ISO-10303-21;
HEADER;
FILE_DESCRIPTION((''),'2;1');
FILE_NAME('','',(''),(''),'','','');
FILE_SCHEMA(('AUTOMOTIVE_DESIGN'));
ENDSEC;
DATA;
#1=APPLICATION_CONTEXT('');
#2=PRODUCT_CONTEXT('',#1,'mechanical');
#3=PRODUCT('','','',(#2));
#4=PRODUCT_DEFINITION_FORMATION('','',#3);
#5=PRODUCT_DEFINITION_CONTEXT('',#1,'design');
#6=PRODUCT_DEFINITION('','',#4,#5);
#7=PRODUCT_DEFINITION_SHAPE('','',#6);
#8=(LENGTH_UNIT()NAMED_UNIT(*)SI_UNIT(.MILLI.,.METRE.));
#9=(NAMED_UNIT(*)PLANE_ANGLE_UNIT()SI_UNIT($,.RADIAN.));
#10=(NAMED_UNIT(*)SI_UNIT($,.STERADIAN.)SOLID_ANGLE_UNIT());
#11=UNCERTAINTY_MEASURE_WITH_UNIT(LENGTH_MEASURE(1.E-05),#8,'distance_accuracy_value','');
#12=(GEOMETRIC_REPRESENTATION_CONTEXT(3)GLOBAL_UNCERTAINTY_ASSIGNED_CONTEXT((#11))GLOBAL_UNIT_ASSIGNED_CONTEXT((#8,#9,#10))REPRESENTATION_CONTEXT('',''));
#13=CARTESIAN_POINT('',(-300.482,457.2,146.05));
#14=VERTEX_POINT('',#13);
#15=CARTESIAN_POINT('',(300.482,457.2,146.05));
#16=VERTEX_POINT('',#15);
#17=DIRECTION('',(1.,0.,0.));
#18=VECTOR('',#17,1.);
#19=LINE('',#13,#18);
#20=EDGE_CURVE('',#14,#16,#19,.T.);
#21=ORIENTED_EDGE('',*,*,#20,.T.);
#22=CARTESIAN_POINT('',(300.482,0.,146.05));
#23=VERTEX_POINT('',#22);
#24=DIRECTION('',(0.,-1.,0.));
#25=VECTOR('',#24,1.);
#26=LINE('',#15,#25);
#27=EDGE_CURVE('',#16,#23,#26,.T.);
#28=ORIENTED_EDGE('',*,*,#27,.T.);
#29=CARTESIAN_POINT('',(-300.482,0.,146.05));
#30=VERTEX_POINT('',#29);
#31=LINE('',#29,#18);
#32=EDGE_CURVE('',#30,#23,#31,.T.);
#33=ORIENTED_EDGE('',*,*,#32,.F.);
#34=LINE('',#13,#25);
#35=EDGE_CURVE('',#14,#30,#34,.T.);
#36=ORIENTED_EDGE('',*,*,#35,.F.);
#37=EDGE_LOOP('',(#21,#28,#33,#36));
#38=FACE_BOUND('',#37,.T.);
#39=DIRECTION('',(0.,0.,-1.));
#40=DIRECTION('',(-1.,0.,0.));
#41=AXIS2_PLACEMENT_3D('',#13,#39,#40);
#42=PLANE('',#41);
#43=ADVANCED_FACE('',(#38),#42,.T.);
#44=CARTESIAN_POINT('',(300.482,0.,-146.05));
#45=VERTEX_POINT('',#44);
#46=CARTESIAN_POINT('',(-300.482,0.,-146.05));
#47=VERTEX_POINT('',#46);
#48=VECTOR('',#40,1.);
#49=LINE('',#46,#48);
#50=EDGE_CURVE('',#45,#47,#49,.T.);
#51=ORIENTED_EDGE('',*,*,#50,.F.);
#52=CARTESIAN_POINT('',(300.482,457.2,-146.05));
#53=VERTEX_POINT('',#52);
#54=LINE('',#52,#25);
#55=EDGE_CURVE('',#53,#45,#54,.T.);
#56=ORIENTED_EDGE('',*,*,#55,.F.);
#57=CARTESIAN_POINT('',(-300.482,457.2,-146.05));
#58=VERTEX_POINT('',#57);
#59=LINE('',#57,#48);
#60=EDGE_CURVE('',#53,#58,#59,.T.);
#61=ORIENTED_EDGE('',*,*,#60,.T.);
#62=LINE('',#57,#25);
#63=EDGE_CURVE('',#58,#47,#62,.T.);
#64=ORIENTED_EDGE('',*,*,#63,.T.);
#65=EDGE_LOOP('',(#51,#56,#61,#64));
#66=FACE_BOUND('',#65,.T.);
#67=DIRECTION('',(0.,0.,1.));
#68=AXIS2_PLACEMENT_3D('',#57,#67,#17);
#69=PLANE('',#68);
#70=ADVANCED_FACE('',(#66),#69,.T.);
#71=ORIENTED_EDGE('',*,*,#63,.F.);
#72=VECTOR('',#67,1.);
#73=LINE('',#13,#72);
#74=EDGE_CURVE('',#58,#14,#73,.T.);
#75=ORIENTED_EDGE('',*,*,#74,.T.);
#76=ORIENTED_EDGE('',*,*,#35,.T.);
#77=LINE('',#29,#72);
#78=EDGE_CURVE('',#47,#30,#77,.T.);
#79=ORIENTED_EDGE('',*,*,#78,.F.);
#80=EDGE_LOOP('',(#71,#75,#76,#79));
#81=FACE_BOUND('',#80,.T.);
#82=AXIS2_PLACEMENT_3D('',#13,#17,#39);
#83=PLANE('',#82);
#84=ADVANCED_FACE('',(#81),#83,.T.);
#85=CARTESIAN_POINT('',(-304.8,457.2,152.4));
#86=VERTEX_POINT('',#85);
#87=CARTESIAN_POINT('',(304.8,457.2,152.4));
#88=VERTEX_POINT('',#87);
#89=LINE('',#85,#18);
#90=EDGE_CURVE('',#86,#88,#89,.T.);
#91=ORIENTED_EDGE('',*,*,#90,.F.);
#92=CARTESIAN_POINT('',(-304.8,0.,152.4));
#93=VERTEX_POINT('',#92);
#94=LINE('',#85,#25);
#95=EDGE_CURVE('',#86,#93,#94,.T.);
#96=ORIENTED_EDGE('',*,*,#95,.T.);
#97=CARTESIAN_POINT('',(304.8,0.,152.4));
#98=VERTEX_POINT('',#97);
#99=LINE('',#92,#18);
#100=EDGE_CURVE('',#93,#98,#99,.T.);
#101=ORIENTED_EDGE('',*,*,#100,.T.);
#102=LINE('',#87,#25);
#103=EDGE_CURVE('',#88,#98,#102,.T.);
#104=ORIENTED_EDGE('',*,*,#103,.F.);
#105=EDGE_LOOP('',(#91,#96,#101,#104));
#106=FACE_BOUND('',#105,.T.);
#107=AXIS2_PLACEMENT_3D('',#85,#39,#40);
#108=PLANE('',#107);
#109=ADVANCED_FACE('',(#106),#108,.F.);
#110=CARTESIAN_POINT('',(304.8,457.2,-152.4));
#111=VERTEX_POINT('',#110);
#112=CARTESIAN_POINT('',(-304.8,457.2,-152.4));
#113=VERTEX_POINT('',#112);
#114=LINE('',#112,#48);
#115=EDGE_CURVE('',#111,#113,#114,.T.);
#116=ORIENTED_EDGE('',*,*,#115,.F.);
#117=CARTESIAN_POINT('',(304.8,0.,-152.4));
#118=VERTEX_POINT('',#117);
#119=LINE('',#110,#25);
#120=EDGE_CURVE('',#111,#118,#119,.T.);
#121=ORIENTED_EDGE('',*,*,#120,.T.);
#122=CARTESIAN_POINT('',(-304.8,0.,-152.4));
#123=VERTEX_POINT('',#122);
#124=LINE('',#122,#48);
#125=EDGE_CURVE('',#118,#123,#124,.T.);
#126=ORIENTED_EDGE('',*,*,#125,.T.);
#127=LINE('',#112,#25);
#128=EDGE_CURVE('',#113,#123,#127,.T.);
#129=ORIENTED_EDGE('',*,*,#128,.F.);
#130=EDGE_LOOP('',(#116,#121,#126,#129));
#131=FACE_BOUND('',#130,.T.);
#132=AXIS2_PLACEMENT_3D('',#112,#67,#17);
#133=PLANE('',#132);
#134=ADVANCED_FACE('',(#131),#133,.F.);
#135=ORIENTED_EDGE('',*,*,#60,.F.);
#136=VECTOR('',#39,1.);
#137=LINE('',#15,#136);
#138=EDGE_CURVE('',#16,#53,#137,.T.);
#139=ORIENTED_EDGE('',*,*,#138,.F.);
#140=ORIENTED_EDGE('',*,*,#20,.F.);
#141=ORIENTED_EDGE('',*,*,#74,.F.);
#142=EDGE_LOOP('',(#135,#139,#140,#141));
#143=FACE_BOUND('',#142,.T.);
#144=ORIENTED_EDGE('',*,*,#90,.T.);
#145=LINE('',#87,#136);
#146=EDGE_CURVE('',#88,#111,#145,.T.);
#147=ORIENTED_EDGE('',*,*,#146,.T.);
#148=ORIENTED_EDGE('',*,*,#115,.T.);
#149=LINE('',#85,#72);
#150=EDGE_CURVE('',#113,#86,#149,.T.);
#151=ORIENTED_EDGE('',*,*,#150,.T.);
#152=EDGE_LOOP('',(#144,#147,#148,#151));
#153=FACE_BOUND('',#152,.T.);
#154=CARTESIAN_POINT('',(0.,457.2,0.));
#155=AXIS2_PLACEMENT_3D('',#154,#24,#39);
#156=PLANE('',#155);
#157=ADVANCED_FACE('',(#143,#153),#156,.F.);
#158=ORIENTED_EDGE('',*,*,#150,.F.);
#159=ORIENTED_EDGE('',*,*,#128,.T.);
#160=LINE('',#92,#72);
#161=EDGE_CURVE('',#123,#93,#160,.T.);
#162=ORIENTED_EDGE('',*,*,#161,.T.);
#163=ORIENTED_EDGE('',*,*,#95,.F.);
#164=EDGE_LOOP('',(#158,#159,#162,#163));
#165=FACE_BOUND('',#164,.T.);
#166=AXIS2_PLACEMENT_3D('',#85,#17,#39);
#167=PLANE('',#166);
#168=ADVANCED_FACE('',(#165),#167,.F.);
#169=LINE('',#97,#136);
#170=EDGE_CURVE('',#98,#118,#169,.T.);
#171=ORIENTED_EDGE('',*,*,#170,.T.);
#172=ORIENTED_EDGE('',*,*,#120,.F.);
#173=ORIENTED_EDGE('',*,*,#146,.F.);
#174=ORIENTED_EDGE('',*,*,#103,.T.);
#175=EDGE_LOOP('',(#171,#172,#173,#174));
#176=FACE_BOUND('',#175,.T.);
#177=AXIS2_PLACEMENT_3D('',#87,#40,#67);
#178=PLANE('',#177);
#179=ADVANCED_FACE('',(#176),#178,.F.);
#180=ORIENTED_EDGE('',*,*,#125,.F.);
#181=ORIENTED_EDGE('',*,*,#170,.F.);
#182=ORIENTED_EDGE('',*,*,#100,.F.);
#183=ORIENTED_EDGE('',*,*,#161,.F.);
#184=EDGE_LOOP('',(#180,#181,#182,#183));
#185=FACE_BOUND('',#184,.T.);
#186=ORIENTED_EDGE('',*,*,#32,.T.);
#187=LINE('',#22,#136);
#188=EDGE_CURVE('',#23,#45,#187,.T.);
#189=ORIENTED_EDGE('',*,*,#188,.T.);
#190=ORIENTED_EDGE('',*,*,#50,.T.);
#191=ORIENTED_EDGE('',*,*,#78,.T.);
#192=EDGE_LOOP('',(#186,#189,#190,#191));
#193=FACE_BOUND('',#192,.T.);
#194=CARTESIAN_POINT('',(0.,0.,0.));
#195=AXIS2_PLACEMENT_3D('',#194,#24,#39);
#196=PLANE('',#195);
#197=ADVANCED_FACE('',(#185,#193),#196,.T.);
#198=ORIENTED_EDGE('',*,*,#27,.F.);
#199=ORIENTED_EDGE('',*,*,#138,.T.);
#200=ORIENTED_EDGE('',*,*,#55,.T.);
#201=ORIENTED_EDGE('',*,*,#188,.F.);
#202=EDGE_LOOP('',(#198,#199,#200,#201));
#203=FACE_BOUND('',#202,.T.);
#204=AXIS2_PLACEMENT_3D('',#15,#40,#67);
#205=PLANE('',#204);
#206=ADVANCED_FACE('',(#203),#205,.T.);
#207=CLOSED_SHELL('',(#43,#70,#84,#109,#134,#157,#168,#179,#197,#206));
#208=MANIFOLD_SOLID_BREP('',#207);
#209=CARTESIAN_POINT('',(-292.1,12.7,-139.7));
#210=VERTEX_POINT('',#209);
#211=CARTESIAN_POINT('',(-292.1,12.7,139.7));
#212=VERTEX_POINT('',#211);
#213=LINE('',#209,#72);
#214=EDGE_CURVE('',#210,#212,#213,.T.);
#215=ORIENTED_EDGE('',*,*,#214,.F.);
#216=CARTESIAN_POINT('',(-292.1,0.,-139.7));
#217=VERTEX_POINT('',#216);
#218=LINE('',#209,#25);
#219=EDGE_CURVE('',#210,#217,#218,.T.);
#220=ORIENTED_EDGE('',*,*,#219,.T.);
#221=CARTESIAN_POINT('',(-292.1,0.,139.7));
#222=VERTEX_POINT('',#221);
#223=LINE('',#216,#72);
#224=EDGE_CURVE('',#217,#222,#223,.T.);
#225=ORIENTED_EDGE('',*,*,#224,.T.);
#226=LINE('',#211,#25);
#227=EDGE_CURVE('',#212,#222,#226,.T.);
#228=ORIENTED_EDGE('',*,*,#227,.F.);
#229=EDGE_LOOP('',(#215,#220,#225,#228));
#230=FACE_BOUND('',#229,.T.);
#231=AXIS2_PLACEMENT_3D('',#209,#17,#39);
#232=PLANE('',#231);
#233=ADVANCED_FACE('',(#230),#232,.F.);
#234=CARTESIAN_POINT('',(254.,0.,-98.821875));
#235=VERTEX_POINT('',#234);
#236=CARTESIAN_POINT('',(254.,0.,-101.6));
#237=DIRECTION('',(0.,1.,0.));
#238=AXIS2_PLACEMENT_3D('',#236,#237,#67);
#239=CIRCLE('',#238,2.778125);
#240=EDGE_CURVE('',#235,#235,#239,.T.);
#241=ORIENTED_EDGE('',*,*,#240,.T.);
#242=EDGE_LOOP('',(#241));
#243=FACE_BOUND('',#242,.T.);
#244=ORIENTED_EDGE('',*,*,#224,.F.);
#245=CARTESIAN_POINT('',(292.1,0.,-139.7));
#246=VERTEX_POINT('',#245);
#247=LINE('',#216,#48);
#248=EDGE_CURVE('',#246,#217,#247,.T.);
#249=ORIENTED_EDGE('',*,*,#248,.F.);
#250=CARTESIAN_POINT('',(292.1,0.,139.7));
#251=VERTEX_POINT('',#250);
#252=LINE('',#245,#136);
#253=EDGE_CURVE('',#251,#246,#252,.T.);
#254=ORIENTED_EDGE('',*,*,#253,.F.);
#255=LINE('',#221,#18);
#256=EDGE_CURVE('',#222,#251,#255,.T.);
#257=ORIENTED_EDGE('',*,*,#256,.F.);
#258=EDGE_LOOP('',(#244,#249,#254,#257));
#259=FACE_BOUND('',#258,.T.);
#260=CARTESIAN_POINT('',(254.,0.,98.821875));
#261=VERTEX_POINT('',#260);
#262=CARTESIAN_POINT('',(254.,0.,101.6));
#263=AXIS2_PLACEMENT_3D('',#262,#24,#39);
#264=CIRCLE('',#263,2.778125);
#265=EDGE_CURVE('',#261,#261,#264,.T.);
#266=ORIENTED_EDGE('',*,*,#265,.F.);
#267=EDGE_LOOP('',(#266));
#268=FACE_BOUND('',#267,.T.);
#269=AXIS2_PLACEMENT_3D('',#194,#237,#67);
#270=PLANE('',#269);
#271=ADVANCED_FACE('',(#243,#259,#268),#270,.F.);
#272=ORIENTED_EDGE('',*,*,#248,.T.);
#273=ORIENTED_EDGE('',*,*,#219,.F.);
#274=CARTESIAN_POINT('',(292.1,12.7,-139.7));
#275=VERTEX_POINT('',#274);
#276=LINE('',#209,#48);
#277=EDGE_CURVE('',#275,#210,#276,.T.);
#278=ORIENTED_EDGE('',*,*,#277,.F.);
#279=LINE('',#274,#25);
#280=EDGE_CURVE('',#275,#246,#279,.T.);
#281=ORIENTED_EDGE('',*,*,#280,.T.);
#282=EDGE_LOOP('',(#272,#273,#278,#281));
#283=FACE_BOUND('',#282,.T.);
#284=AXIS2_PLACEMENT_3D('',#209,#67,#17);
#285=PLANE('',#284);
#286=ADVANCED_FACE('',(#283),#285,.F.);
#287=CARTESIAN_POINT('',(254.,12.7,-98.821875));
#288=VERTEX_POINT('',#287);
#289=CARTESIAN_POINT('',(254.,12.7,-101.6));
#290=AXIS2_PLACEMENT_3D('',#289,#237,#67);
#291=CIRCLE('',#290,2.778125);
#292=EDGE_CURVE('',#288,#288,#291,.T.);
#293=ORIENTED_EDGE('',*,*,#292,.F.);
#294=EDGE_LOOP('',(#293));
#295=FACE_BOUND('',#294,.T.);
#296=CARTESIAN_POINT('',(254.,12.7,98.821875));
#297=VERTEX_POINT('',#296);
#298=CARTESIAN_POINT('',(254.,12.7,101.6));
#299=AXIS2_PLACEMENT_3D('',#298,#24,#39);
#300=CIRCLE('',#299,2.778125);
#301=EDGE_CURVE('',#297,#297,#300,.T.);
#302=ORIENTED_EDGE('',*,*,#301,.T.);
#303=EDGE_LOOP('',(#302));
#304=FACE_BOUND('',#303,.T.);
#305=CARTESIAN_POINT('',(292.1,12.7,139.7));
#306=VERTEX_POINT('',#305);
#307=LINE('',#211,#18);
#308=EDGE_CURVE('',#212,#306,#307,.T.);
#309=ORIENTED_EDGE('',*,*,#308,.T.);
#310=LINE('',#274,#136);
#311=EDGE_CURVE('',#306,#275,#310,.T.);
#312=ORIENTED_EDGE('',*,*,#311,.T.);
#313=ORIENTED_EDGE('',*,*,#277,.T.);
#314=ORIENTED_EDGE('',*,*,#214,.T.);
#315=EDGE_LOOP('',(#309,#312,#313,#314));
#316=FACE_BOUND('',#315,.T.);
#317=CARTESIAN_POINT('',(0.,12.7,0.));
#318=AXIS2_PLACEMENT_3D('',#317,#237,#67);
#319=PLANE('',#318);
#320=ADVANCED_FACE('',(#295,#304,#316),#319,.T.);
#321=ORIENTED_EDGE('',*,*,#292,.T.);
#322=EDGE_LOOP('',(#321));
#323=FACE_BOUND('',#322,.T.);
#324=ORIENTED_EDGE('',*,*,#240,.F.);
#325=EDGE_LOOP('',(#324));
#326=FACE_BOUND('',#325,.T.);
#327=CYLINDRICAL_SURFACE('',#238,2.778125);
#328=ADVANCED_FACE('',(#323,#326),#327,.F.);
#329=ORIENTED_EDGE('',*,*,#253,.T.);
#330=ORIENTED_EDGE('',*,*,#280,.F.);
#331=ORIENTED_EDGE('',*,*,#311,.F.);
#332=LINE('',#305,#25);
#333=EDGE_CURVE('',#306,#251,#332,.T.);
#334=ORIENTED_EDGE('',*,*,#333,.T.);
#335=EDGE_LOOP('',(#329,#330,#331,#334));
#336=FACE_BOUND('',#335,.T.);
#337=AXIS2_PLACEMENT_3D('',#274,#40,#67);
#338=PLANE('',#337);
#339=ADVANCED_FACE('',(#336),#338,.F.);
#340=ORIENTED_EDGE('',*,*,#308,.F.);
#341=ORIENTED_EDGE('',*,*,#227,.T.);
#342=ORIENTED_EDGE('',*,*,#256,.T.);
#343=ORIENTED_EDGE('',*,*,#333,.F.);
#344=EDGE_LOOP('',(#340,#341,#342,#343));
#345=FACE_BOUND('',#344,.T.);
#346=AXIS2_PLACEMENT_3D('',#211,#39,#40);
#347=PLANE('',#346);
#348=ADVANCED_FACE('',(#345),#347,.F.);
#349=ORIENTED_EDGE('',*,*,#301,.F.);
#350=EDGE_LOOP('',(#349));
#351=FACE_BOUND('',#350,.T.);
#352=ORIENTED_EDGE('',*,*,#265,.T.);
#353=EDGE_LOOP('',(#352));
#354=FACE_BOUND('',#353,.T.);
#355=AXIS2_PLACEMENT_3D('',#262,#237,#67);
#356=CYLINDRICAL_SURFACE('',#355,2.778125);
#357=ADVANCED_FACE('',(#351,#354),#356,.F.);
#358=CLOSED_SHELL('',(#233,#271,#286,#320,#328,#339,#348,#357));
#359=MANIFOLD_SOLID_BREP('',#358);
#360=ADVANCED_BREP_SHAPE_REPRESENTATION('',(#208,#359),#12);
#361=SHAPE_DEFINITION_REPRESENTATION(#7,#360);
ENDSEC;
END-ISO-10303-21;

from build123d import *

# Parameters (mm, degrees)
SKETCH1_W           = 584.2
SKETCH1_H           = 279.4
BOSS_EXTRUDE1_DEPTH = 12.7
SKETCH3_W           = 609.6
SKETCH3_H           = 304.8
SKETCH3_W_2         = 600.964
SKETCH3_H_2         = 292.1
BOSS_EXTRUDE3_DEPTH = 457.2
SKETCH4_R           = 2.778125
CUT_EXTRUDE1_DEPTH  = 561.097357608


with BuildPart() as part:
    # Sketch1 → Boss-Extrude1 (new body)
    with BuildSketch(Plane(origin=(0, 0, 0), x_dir=(1, 0, 0), z_dir=(0, 1, 0))):
        Rectangle(SKETCH1_W, SKETCH1_H)
    extrude(amount=BOSS_EXTRUDE1_DEPTH)

    # Sketch4 → Cut-Extrude1 (cut, through all)
    with BuildSketch(Plane(origin=(0, 12.7, 0), x_dir=(1, 0, 0), z_dir=(0, 1, 0))):
        with Locations(Location((254, 101.6, 0), (0, 0, 270))):
            Circle(SKETCH4_R)
    cut_extrude1 = extrude(amount=-CUT_EXTRUDE1_DEPTH, mode=Mode.SUBTRACT)

    # Mirror1: Cut-Extrude1 across plane
    add(cut_extrude1.mirror(Plane.XY), mode=Mode.SUBTRACT)


with BuildPart() as body_2:
    # Sketch3 → Boss-Extrude3 (new body)
    with BuildSketch(Plane(origin=(0, 0, 0), x_dir=(1, 0, 0), z_dir=(0, 1, 0))):
        Rectangle(SKETCH3_W, SKETCH3_H)
        Rectangle(SKETCH3_W_2, SKETCH3_H_2, mode=Mode.SUBTRACT)
    extrude(amount=BOSS_EXTRUDE3_DEPTH)


solid = Compound([part.part, body_2.part])
